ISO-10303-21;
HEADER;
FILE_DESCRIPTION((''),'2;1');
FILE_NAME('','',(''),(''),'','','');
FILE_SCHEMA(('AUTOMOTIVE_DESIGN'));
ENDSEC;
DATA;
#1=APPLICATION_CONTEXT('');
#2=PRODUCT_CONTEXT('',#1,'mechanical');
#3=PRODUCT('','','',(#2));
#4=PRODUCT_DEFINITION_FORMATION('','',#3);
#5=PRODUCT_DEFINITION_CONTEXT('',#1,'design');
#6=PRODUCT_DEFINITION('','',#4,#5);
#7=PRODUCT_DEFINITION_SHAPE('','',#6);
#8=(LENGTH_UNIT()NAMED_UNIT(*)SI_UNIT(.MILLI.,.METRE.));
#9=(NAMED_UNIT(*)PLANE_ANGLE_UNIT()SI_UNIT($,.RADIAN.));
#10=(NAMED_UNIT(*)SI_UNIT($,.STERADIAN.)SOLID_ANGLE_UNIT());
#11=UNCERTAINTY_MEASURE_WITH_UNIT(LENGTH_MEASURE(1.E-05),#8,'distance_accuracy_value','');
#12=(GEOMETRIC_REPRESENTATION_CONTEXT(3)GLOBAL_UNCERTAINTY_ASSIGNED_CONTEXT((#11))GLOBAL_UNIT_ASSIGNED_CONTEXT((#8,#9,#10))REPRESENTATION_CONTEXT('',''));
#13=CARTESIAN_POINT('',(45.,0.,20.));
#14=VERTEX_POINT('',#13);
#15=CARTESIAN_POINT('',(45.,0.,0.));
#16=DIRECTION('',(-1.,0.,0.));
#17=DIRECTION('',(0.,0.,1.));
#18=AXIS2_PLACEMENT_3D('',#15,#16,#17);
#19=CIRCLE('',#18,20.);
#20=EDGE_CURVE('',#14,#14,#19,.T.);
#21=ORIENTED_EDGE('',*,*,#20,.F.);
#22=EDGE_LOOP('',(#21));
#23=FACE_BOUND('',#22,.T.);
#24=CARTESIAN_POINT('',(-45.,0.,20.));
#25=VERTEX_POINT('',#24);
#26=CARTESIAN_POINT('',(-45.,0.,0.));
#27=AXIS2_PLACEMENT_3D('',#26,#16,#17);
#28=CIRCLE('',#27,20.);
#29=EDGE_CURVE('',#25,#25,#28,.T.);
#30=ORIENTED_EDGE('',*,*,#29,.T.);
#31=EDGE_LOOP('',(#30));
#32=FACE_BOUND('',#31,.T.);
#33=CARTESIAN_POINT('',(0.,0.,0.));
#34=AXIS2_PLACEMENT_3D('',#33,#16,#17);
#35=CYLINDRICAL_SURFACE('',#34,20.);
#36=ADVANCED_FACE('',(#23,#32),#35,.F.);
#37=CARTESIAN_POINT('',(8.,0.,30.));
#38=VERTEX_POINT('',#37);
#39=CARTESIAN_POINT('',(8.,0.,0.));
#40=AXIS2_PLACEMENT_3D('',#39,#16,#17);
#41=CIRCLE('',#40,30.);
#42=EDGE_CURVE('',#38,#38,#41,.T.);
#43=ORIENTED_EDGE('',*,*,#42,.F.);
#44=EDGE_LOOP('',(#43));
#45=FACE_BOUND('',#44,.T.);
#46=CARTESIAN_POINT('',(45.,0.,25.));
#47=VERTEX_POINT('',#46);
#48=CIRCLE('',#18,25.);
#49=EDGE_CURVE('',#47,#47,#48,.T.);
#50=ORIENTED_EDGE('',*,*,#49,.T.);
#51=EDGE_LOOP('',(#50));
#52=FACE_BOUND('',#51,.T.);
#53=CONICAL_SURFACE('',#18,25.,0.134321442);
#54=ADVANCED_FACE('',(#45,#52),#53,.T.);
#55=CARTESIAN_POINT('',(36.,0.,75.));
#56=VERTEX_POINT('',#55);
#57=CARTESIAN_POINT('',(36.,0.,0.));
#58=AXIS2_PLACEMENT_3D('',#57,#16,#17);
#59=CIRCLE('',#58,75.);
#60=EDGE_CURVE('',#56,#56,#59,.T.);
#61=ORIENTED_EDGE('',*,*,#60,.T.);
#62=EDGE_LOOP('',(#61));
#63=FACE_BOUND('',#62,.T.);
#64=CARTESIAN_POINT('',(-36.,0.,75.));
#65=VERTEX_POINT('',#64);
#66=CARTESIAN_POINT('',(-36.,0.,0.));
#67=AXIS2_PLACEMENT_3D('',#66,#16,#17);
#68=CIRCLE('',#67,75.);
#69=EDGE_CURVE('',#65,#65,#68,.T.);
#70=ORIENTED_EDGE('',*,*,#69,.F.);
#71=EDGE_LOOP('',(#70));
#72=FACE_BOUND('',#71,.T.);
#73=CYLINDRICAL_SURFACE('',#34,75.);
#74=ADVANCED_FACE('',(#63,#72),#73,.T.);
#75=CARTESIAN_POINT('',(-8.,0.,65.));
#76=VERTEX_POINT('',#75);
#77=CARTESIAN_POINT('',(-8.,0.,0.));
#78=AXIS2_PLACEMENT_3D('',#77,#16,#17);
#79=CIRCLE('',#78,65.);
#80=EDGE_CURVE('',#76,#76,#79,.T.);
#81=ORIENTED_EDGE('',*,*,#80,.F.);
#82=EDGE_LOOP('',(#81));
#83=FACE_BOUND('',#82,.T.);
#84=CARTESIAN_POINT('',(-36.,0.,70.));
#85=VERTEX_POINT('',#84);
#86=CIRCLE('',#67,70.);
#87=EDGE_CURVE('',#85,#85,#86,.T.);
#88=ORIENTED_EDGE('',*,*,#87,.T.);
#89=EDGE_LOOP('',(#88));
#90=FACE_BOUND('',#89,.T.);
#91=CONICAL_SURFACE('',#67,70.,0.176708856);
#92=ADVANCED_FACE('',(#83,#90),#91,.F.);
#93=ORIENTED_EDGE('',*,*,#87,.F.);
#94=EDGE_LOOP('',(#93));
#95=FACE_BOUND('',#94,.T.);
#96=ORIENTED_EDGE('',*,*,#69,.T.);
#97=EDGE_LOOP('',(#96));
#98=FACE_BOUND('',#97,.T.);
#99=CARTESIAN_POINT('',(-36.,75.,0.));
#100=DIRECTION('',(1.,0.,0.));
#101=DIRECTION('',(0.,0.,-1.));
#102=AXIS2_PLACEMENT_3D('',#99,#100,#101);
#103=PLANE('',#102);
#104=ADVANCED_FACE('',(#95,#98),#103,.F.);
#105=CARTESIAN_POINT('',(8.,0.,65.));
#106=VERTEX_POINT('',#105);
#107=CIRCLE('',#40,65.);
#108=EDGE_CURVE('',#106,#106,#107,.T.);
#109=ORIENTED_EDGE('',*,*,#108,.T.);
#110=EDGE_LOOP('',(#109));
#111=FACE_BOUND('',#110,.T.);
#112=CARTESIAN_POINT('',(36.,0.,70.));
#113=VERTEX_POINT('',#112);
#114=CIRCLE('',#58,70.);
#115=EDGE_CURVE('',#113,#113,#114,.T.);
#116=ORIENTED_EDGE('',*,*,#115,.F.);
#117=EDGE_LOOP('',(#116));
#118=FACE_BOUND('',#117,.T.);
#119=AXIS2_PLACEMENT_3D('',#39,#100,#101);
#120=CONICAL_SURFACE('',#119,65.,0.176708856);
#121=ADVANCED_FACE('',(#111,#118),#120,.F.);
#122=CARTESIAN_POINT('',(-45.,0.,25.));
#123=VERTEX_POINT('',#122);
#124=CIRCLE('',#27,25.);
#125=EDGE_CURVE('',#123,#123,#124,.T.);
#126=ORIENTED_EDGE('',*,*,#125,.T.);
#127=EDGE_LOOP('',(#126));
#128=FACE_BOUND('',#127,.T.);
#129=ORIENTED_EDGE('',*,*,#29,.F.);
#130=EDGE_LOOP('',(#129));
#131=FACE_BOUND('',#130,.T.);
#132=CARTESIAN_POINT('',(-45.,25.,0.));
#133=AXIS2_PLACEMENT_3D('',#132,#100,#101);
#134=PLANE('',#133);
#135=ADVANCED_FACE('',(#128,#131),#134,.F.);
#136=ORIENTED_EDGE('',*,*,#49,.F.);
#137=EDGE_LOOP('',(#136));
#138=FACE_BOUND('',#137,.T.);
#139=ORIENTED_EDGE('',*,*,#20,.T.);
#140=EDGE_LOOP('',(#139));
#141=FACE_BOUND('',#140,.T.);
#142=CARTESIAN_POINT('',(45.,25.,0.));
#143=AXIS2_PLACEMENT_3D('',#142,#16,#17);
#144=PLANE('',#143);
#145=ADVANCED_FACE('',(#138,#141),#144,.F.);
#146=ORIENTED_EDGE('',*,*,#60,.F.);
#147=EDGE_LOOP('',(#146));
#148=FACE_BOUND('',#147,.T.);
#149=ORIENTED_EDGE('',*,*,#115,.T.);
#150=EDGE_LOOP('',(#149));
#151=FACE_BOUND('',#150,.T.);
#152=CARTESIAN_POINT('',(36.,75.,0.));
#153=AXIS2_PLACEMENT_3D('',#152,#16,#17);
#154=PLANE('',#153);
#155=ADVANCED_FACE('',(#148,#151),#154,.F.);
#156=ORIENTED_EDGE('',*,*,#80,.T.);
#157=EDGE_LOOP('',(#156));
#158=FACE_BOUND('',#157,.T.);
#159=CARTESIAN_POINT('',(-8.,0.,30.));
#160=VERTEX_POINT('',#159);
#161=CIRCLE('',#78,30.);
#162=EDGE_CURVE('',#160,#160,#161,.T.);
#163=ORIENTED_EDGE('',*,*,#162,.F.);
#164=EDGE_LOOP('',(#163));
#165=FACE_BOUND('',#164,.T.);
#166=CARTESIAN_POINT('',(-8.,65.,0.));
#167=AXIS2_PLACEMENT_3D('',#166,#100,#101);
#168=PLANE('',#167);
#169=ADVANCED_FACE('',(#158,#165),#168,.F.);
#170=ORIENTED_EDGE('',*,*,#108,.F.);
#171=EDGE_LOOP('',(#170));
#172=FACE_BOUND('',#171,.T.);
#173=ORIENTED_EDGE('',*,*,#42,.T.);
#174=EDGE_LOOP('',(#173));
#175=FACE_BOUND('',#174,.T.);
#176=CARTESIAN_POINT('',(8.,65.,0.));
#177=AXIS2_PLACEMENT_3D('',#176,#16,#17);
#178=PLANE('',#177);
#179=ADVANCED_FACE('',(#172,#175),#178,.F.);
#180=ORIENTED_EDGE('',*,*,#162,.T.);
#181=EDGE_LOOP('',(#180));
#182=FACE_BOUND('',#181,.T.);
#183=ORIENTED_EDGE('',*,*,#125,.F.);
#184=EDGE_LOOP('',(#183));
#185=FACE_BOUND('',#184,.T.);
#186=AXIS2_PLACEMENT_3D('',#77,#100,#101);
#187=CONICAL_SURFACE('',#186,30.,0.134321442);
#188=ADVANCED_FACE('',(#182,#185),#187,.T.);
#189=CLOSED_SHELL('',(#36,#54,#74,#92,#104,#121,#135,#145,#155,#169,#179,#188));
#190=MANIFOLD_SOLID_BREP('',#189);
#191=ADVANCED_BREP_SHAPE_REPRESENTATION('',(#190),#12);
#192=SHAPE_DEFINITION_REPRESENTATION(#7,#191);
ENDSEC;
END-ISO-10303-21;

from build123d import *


with BuildPart() as part:
    # Sketch1 → Revolve2 (revolve)
    with BuildSketch(Plane.XY, mode=Mode.PRIVATE) as revolve2_sk:
        Polygon((-36, 75), (36, 75), (36, 70), (8, 65), (8, 30), (45, 25), (45, 20), (-45, 20), (-45, 25), (-8, 30), (-8, 65), (-36, 70), align=None)
    revolve(revolve2_sk.sketch.rotate(Axis((0, 0, 0), (1, 0, 0)), 90), axis=Axis((0, 0, 0), (1, 0, 0)))


solid = part.part
